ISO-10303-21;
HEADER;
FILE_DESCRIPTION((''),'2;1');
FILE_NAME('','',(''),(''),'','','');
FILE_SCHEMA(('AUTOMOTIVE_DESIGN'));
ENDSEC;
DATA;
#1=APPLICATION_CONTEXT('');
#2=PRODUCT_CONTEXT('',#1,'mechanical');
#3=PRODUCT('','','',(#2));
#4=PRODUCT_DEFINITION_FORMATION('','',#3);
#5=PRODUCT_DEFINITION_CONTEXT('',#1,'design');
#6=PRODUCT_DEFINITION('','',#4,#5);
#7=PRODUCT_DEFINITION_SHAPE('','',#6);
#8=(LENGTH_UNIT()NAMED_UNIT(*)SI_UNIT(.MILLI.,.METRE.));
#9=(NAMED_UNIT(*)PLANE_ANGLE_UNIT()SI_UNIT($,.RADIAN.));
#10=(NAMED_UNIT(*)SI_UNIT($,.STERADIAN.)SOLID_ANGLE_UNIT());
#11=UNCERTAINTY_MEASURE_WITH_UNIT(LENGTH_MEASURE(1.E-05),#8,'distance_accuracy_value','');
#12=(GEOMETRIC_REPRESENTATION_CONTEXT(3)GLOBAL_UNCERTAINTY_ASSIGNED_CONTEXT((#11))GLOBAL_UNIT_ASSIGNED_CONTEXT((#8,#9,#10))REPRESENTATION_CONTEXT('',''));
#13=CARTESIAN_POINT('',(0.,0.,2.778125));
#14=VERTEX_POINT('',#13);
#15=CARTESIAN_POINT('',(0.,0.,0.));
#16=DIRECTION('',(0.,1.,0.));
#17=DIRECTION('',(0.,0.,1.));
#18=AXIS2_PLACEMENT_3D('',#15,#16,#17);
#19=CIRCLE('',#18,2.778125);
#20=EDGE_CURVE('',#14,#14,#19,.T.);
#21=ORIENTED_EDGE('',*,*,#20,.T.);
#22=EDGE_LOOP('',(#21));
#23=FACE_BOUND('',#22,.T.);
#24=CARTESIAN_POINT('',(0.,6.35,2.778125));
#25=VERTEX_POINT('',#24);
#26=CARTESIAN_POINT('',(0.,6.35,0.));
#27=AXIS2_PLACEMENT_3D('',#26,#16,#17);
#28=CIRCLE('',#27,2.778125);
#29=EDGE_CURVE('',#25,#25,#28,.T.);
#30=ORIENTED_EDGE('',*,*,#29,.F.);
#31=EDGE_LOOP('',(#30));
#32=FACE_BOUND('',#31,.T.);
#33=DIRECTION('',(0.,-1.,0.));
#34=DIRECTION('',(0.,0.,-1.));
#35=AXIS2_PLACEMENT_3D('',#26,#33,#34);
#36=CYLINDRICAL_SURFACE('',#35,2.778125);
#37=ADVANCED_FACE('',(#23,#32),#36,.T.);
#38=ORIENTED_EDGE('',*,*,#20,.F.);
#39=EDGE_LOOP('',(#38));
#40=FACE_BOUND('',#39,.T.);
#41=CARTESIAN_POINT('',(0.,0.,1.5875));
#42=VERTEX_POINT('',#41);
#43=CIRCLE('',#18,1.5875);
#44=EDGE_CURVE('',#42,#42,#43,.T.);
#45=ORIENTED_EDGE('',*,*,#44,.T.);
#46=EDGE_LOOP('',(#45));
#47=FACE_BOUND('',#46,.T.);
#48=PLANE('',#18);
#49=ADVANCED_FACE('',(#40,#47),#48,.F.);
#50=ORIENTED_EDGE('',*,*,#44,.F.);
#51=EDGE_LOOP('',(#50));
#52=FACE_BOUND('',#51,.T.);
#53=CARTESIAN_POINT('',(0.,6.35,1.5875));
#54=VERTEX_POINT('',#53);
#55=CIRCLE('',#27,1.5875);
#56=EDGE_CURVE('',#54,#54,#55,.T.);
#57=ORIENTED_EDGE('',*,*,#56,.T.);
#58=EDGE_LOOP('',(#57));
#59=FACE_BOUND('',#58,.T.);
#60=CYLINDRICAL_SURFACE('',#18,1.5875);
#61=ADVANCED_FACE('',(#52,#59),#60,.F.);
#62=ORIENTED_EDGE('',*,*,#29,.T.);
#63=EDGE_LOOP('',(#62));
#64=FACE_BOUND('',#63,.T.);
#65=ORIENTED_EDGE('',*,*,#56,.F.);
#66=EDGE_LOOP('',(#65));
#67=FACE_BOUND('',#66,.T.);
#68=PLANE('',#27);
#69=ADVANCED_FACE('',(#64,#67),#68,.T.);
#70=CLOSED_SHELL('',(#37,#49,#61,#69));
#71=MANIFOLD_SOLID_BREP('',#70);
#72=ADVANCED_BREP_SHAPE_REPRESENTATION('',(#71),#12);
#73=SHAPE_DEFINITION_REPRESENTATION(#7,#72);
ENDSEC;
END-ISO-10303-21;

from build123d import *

# Parameters (mm, degrees)
SKETCH1_R           = 2.778125
BOSS_EXTRUDE1_DEPTH = 6.35
SKETCH2_R           = 1.5875
CUT_EXTRUDE1_DEPTH  = 6.35


with BuildPart() as part:
    # Sketch1 → Boss-Extrude1 (new body)
    with BuildSketch(Plane(origin=(0, 0, 0), x_dir=(1, 0, 0), z_dir=(0, 1, 0))):
        with Locations(Location((0, 0, 0), (0, 0, 270))):
            Circle(SKETCH1_R)
    extrude(amount=BOSS_EXTRUDE1_DEPTH)

    # Sketch2 → Cut-Extrude1 (cut)
    with BuildSketch(Plane(origin=(0, 6.35, 0), x_dir=(1, 0, 0), z_dir=(0, 1, 0))):
        with Locations(Location((0, 0, 0), (0, 0, 270))):
            Circle(SKETCH2_R)
    extrude(amount=-CUT_EXTRUDE1_DEPTH, mode=Mode.SUBTRACT)


solid = part.part
